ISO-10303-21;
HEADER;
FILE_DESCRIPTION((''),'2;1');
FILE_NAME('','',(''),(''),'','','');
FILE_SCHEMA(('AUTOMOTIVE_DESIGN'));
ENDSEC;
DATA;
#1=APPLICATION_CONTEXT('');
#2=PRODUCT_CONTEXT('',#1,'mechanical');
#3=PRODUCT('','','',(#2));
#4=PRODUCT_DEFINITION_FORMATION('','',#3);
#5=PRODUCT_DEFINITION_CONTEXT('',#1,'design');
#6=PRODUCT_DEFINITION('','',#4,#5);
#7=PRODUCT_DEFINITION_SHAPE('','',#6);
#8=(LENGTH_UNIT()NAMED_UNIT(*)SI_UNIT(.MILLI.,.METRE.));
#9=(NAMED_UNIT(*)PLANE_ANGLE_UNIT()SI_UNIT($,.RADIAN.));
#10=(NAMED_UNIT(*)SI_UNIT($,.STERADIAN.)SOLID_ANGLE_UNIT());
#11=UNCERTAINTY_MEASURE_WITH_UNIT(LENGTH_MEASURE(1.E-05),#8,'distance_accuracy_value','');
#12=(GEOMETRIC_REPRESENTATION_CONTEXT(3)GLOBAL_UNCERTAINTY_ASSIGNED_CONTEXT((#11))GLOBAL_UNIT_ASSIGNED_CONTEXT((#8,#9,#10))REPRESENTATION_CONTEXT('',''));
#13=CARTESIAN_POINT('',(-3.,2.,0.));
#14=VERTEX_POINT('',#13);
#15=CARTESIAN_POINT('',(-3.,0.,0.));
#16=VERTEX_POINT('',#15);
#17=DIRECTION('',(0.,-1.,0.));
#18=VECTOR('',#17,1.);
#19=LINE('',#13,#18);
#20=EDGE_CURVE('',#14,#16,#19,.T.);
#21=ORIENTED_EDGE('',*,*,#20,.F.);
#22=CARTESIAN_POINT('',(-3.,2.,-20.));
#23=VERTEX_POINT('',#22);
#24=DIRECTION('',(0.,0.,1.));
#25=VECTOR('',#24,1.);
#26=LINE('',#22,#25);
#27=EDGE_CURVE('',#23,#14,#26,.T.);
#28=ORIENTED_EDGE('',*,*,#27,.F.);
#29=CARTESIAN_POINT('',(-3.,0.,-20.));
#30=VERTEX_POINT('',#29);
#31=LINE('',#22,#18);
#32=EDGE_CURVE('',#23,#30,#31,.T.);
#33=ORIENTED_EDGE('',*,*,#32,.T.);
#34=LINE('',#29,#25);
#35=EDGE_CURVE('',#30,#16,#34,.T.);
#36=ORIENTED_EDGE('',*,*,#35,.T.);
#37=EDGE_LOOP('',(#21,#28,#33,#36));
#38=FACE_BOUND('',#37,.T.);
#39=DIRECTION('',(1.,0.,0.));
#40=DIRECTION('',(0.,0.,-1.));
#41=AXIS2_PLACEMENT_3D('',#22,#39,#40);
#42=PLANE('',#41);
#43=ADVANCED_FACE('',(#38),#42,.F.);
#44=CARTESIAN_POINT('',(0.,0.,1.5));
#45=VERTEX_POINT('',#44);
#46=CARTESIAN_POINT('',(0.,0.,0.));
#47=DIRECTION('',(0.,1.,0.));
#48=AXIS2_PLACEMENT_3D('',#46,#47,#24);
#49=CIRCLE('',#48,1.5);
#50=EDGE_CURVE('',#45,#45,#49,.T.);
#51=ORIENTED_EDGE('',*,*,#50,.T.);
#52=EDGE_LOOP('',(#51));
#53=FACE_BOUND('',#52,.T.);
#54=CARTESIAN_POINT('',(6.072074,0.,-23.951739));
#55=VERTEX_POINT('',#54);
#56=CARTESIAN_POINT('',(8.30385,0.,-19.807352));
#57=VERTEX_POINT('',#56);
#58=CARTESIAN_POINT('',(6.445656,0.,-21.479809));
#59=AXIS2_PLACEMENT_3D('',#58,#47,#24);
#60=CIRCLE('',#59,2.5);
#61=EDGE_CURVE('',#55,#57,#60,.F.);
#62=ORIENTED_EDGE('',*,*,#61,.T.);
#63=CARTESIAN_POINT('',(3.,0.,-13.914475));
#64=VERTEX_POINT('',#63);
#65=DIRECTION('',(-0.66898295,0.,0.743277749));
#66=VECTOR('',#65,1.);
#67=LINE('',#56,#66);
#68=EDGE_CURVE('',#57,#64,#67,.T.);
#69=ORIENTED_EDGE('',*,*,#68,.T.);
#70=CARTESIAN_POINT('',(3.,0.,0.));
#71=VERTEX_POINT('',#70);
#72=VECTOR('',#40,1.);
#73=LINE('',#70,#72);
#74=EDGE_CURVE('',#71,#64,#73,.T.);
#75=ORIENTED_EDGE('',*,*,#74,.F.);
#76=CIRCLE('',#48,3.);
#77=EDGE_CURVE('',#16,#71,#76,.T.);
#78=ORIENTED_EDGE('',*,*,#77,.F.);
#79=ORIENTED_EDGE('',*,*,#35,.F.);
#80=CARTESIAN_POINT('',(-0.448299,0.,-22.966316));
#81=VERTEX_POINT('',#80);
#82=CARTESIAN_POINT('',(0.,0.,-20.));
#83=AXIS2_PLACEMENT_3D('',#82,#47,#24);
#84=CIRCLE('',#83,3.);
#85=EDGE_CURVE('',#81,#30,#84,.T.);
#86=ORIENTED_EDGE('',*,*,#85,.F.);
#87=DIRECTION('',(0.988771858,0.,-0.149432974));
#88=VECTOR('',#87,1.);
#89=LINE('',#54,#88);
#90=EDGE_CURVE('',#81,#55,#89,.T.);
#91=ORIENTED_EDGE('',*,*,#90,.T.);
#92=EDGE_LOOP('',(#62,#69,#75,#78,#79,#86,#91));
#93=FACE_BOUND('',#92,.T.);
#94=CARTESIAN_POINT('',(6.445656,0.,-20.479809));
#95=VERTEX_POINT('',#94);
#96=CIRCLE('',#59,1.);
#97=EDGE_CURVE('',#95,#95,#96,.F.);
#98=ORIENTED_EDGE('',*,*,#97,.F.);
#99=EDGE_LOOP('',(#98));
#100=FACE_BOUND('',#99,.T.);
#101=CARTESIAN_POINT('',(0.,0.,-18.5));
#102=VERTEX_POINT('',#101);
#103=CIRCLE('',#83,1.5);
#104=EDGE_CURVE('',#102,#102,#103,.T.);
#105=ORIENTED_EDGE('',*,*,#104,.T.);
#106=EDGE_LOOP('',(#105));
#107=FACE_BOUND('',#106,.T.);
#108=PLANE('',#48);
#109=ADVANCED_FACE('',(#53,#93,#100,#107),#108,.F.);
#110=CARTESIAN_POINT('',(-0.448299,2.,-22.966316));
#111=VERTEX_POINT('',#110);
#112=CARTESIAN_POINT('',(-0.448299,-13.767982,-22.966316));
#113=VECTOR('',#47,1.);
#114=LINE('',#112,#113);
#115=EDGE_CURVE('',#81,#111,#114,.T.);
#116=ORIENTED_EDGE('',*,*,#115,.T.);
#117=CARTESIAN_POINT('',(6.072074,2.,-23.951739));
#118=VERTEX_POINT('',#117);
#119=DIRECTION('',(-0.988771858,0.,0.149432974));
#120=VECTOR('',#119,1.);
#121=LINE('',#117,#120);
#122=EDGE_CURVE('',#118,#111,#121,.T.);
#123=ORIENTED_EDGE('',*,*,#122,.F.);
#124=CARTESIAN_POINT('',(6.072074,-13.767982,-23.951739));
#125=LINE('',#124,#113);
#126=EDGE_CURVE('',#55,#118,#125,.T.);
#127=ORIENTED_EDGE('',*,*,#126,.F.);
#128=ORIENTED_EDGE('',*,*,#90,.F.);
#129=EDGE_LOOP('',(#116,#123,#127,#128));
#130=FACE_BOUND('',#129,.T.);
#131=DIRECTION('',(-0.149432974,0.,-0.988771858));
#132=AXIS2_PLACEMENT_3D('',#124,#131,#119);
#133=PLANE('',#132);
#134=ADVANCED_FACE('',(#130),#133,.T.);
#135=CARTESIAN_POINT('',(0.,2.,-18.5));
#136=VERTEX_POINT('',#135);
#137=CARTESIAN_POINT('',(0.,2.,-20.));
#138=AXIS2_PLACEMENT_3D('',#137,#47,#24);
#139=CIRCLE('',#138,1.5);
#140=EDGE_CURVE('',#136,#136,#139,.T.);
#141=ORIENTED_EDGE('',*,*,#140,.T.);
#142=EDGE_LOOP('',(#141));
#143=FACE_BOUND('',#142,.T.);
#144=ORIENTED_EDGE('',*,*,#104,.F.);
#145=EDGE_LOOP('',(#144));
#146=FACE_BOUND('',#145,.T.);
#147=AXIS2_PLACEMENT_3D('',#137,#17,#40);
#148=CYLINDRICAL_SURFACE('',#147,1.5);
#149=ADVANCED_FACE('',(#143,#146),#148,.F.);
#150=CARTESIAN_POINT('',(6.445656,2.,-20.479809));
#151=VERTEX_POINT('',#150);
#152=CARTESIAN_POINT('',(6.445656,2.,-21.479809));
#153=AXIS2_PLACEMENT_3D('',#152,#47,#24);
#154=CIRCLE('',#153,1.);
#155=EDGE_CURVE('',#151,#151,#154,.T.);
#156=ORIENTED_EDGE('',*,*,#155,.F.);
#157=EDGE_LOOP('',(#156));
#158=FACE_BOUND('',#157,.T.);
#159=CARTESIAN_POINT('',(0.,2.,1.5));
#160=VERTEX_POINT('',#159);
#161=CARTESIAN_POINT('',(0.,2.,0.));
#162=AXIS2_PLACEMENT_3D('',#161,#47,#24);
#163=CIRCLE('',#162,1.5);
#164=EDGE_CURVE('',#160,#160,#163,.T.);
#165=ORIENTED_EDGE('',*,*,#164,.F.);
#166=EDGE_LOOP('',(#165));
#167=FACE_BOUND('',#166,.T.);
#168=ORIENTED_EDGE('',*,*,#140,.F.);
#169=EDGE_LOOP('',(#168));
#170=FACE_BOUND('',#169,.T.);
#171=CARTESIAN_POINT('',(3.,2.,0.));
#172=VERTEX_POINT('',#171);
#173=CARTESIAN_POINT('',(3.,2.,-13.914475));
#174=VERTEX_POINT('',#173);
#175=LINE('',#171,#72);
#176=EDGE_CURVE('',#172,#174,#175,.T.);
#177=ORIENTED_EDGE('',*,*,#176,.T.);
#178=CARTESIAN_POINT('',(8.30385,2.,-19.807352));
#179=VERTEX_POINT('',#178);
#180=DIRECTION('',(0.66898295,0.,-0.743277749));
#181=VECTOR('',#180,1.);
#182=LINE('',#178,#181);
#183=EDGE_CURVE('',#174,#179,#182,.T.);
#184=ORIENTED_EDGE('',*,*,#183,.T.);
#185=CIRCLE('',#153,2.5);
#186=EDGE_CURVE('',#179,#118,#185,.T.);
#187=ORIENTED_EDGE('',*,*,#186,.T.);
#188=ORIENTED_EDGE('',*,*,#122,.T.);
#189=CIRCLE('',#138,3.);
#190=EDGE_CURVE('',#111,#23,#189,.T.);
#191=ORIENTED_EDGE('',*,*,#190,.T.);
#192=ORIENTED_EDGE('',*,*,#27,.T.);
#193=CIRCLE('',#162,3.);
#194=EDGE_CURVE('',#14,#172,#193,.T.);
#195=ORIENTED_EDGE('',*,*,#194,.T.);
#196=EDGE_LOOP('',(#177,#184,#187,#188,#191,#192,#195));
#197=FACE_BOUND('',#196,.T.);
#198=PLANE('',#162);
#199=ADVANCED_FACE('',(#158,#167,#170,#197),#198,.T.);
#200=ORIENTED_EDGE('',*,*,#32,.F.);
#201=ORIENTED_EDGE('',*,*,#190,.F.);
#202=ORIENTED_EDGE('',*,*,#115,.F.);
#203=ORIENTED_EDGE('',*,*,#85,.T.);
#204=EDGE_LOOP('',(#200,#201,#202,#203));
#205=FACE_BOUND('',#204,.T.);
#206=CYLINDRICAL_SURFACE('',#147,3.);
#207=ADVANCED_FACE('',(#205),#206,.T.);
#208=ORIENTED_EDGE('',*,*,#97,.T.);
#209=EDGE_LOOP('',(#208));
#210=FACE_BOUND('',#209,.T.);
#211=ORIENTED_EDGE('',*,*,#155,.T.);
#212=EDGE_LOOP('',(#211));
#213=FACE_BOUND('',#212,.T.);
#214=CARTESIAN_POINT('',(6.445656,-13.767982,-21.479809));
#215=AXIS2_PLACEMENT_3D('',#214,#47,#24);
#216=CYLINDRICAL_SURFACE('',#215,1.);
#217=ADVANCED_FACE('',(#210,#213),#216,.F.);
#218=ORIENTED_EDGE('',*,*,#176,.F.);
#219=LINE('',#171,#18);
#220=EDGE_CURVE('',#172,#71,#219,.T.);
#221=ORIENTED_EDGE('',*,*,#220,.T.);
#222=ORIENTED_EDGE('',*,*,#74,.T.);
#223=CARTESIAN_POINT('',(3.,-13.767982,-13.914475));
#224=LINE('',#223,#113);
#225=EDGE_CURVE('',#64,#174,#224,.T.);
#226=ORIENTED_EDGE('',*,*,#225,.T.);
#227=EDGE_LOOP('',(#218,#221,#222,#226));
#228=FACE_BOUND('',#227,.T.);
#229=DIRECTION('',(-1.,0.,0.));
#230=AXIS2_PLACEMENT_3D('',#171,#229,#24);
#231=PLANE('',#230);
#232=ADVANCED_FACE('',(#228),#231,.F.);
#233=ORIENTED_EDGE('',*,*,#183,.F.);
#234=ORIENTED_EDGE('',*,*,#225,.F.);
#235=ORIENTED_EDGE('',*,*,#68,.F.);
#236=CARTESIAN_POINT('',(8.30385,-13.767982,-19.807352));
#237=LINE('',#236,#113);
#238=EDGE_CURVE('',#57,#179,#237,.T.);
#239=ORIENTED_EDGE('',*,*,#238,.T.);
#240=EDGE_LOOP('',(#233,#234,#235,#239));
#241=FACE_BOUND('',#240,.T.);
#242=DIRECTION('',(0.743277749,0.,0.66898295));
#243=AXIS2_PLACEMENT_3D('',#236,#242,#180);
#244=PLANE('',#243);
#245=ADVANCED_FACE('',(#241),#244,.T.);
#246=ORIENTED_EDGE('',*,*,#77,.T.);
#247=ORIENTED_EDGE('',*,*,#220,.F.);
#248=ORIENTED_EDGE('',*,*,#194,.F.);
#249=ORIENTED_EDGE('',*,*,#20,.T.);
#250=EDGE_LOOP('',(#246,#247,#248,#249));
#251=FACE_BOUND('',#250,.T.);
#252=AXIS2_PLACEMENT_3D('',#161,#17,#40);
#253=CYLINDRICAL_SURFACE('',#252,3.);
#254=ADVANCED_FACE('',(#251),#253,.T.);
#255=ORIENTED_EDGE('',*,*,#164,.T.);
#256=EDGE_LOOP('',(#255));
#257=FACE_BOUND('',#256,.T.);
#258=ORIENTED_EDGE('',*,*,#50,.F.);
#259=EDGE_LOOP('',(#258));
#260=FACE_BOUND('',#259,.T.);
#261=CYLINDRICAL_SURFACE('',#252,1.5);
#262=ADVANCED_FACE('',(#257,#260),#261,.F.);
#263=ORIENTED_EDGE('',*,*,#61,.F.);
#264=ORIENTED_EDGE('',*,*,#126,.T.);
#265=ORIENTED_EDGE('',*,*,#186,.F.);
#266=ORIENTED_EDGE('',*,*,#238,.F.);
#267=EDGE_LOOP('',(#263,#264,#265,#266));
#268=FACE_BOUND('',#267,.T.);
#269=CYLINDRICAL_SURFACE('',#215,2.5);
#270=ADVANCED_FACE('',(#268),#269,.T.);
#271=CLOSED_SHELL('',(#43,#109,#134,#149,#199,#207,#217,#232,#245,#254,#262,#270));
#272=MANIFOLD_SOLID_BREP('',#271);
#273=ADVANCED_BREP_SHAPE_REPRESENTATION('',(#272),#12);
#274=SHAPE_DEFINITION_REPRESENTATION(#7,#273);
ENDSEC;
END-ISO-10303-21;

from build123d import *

# Parameters (mm, degrees)
SKETCH1_R           = 1.5
BOSS_EXTRUDE1_DEPTH = 2
BOSS_EXTRUDE2_START = -2
SKETCH2_R           = 1
BOSS_EXTRUDE2_DEPTH = 2


with BuildPart() as part:
    # Sketch1 → Boss-Extrude1 (new body)
    with BuildSketch(Plane(origin=(0, 0, 0), x_dir=(1, 0, 0), z_dir=(0, 1, 0))):
        with BuildLine():
            Line((3, 0), (3, 20))
            ThreePointArc((3, 20), (0, 23), (-3, 20))
            Line((-3, 20), (-3, 0))
            ThreePointArc((-3, 0), (0, -3), (3, 0))
        make_face()
        with Locations(Location((0, 0, 0), (0, 0, 270))):
            Circle(SKETCH1_R, mode=Mode.SUBTRACT)
        with Locations(Location((0, 20, 0), (0, 0, 270))):
            Circle(SKETCH1_R, mode=Mode.SUBTRACT)
    extrude(amount=BOSS_EXTRUDE1_DEPTH)

    # Sketch2 → Boss-Extrude2 (add)
    with BuildSketch(Plane(origin=(0, 2, 0), x_dir=(1, 0, 0), z_dir=(0, 1, 0)).offset(BOSS_EXTRUDE2_START)):
        with BuildLine():
            Line((8.303850429, 19.807351686), (3, 13.914475038))
            Line((3, 13.914475038), (3, 20))
            ThreePointArc((3, 20), (1.956412946, 22.274301735), (-0.448298923, 22.966315573))
            Line((-0.448298923, 22.966315573), (6.072073621, 23.951738706))
            ThreePointArc((6.072073621, 23.951738706), (8.646793057, 22.665134295), (8.303850429, 19.807351686))
        make_face()
        with Locations(Location((6.445656057, 21.479809062, 0), (0, 0, 270))):
            Circle(SKETCH2_R, mode=Mode.SUBTRACT)
    extrude(amount=BOSS_EXTRUDE2_DEPTH)


solid = part.part
